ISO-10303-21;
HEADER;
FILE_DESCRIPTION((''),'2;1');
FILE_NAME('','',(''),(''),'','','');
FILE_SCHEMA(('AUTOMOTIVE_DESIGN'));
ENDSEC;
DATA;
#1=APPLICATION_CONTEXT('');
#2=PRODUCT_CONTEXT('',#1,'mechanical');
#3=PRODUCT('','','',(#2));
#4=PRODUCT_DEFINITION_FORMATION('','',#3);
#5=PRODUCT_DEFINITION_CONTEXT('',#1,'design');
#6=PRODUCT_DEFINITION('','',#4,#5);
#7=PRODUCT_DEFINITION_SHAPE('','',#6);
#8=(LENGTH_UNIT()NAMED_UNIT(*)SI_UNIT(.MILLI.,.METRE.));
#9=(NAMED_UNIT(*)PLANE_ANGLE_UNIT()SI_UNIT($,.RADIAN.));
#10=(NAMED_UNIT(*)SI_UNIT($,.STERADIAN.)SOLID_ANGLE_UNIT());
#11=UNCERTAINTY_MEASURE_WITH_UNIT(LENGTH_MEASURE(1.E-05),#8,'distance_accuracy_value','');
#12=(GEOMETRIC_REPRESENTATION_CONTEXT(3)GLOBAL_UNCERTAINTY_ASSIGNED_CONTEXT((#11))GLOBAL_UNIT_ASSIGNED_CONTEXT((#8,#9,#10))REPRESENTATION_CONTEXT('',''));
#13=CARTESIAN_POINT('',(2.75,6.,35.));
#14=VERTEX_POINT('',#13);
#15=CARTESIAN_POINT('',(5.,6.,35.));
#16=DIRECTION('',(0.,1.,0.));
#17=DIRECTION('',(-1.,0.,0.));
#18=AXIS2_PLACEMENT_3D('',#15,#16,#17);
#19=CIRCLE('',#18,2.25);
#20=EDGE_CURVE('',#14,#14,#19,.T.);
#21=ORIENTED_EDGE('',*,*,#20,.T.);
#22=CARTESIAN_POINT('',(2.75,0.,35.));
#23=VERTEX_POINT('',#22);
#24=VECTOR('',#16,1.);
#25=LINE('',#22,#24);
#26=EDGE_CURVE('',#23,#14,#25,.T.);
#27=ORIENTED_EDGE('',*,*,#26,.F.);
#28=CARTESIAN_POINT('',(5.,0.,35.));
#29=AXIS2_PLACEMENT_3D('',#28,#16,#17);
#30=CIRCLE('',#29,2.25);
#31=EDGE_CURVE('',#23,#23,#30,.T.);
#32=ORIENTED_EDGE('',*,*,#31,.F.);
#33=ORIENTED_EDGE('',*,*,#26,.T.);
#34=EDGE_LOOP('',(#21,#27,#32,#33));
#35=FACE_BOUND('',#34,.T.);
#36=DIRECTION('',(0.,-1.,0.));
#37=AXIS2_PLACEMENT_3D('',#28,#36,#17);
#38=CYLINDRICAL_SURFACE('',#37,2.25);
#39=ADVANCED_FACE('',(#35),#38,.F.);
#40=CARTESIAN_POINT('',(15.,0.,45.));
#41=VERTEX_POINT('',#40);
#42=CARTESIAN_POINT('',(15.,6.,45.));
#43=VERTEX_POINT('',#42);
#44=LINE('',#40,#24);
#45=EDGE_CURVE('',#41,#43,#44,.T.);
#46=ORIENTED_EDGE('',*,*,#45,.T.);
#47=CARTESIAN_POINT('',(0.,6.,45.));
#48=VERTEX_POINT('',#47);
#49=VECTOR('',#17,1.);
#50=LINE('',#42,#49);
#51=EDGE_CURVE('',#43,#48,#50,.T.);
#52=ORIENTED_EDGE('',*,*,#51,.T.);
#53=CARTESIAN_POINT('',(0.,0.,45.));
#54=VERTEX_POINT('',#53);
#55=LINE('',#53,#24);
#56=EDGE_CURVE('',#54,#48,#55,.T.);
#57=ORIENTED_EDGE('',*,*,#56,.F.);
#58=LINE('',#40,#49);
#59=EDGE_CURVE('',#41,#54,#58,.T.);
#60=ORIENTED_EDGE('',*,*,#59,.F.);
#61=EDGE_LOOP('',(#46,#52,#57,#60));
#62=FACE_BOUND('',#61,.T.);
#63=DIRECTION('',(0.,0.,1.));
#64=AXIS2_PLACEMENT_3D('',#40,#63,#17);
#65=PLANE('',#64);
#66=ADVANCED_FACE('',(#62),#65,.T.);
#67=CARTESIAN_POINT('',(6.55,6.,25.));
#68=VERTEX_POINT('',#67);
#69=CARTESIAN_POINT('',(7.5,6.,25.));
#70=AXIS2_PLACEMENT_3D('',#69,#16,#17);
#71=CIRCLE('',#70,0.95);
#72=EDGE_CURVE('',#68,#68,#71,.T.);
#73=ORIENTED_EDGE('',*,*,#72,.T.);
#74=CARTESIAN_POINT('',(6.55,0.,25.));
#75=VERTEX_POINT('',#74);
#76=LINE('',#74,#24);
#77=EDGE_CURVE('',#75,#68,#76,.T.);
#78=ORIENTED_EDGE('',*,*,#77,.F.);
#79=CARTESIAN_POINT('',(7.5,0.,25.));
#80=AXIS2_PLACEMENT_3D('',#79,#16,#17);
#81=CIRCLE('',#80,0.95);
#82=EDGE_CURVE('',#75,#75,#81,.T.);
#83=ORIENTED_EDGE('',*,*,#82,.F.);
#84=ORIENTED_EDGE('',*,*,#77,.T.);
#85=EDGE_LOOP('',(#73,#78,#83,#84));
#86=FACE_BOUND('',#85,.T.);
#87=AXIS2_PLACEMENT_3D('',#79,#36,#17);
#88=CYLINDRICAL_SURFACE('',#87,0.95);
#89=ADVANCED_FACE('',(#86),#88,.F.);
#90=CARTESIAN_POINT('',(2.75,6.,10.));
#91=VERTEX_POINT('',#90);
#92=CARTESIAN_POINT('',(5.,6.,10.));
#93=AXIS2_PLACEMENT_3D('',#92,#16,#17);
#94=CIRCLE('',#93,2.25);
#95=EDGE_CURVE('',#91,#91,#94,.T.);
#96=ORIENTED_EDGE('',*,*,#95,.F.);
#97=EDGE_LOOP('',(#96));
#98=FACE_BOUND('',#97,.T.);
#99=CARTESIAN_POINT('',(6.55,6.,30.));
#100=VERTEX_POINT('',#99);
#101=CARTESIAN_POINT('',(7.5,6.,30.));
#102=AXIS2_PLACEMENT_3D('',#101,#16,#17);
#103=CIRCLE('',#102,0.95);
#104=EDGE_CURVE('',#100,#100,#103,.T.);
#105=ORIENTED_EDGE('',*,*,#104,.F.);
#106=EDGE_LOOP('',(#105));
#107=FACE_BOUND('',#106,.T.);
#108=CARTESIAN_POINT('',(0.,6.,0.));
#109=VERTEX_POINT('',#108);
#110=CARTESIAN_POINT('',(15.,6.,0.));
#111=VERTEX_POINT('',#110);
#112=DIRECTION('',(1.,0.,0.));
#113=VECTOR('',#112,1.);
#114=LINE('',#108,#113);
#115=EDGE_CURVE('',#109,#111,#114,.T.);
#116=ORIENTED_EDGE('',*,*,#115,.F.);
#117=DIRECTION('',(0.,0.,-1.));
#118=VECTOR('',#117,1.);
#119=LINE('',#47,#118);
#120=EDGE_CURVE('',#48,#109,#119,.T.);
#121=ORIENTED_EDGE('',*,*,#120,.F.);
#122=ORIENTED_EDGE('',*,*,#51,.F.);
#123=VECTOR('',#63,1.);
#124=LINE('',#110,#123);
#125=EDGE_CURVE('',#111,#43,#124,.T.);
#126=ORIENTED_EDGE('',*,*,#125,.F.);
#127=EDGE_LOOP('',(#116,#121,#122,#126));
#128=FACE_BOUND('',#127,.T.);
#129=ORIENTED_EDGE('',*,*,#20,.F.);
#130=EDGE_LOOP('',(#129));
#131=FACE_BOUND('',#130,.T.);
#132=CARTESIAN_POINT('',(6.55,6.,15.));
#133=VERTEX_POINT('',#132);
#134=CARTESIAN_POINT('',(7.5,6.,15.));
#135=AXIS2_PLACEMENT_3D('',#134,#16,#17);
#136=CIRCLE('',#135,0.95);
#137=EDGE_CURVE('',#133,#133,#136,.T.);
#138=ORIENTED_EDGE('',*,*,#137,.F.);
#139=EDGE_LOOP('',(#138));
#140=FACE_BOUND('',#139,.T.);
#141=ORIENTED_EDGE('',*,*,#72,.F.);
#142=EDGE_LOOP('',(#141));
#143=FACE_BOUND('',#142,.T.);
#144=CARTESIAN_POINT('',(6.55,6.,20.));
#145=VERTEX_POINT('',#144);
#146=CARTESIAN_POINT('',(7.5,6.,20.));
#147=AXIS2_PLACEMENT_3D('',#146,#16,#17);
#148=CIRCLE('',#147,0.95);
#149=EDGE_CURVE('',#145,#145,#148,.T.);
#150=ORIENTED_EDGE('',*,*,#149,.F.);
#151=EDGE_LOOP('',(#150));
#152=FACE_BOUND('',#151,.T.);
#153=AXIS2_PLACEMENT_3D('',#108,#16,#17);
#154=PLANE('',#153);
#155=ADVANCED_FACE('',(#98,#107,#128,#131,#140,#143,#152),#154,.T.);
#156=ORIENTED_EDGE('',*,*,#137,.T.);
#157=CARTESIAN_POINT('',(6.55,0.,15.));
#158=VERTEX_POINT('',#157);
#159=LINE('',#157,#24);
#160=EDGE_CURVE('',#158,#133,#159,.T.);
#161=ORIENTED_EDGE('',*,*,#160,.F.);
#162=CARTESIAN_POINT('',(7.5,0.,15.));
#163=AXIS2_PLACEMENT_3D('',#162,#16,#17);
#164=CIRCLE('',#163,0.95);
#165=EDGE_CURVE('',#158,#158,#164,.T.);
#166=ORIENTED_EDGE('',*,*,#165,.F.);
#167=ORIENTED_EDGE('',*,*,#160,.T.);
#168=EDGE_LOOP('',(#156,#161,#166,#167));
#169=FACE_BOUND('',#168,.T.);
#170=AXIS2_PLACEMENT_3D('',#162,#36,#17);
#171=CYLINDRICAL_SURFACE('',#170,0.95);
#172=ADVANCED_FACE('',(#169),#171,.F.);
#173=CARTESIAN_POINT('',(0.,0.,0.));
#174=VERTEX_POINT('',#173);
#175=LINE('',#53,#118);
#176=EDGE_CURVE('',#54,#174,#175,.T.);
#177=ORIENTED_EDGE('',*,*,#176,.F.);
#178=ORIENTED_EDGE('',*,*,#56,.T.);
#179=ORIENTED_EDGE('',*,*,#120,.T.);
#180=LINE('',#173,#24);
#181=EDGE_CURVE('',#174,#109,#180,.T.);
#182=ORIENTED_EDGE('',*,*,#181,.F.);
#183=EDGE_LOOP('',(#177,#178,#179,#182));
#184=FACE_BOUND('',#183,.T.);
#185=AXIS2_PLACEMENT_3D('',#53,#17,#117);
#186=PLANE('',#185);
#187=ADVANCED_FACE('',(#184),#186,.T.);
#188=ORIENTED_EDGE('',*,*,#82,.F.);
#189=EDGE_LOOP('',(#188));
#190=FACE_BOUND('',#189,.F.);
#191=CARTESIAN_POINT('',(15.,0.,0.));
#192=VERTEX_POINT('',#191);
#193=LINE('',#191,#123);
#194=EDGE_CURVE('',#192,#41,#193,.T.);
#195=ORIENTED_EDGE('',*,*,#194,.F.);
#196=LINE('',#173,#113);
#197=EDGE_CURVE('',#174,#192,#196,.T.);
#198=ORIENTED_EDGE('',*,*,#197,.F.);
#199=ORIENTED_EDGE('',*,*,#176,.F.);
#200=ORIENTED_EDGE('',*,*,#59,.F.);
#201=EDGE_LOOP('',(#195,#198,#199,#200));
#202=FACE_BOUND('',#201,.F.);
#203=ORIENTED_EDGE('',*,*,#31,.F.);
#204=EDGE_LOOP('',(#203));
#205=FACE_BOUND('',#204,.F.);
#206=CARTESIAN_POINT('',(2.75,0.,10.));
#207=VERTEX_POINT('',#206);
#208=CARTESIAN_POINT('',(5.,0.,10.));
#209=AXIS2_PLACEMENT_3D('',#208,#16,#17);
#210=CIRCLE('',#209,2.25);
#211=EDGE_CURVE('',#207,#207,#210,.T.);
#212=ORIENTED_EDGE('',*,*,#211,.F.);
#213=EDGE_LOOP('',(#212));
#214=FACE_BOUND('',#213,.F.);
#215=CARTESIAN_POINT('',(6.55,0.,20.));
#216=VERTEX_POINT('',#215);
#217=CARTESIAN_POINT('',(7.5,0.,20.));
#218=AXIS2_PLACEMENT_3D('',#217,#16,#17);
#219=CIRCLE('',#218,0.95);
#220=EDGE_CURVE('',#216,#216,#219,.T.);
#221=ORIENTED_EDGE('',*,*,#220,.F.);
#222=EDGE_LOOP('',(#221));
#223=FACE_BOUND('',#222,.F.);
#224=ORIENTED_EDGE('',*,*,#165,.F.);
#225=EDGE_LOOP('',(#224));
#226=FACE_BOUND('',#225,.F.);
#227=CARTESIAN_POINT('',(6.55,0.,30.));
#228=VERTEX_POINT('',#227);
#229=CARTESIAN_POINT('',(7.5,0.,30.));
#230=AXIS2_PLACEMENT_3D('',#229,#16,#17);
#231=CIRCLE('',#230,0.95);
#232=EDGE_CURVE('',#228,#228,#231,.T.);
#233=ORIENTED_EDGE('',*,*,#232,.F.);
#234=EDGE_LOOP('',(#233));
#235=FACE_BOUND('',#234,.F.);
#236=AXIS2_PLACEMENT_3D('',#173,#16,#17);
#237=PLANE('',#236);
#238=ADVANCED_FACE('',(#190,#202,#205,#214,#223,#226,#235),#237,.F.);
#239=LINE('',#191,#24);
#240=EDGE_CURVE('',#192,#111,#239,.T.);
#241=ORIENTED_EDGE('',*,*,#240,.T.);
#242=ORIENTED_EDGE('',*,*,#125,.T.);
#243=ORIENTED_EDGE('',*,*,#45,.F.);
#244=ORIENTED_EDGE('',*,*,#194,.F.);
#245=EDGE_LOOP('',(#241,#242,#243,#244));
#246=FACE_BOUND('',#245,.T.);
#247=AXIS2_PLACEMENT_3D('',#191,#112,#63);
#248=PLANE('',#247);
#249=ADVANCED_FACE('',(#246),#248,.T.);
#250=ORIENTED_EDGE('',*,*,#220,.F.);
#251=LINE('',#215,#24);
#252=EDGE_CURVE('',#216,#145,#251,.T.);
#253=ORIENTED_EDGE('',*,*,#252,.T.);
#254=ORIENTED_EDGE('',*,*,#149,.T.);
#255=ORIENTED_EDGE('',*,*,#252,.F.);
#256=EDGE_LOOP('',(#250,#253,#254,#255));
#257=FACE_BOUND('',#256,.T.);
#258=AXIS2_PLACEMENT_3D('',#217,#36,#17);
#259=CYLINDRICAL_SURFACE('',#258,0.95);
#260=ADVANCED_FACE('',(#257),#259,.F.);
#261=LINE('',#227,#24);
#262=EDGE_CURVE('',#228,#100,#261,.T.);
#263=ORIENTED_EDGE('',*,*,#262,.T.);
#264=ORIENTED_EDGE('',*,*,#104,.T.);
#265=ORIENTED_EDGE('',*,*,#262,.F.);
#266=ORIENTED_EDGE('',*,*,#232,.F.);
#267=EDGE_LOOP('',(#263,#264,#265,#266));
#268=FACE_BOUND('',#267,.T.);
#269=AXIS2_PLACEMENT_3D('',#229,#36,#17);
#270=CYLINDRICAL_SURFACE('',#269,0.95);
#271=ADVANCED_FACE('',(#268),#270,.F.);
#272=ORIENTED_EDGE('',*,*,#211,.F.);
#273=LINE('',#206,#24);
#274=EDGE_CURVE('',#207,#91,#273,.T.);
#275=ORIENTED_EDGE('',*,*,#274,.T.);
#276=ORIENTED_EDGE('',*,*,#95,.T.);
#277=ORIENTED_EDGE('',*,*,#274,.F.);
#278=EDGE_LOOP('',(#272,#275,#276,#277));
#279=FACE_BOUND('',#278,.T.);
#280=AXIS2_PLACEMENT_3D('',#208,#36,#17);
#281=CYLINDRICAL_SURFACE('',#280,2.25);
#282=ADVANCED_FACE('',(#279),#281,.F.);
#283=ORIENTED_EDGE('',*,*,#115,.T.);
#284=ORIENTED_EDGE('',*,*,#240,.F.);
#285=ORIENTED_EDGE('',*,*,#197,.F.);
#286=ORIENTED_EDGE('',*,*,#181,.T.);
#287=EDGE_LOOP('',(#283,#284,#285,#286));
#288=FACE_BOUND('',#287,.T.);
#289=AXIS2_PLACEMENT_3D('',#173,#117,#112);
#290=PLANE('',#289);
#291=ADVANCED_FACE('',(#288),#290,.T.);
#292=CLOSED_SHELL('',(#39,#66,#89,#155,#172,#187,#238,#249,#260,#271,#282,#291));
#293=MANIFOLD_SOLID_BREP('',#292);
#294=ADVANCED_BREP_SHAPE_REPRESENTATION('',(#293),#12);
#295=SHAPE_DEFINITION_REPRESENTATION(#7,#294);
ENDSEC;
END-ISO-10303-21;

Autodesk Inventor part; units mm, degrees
ref_plane "YZ Plane" through (0, 0, 0) normal (1, 0, 0) x (0, 1, 0)
ref_plane "XZ Plane" through (0, 0, 0) normal (0, 1, 0) x (-1, 0, 0)
ref_plane "XY Plane" through (0, 0, 0) normal (0, 0, 1) x (1, 0, 0)
sketch "Sketch2" plane through (0, 0, 0) normal (0, 1, 0) x (-1, 0, 0)
  line L0 (0, 0) -> (-15, 0)
  line L1 (-15, 0) -> (-15, 45)
  line L2 (-15, 45) -> (0, 45)
  line L3 (0, 45) -> (0, 0)
  circle A0 centre (-5, 10) radius 2.25
  circle A1 centre (-5, 35) radius 2.25
  circle A2 centre (-7.5, 15) radius 0.95
  circle A3 centre (-7.5, 20) radius 0.95
  circle A4 centre (-7.5, 25) radius 0.95
  circle A5 centre (-7.5, 30) radius 0.95
  dimension "d76" = 15
  dimension "d77" = 45
  dimension "d78" = 10
  dimension "d79" = 25
  dimension "d80" = 5
  dimension "d81" = 4.5
  dimension "d82" = 1.9
  dimension "d85" = 5
  dimension "d90" = 5
  dimension "d91" = 7.5
extrude "Extrusion2" add sketch "Sketch2" along normal blind 6
properties part number "phone_holder_side_insert" material "Acrylic, Clear"
